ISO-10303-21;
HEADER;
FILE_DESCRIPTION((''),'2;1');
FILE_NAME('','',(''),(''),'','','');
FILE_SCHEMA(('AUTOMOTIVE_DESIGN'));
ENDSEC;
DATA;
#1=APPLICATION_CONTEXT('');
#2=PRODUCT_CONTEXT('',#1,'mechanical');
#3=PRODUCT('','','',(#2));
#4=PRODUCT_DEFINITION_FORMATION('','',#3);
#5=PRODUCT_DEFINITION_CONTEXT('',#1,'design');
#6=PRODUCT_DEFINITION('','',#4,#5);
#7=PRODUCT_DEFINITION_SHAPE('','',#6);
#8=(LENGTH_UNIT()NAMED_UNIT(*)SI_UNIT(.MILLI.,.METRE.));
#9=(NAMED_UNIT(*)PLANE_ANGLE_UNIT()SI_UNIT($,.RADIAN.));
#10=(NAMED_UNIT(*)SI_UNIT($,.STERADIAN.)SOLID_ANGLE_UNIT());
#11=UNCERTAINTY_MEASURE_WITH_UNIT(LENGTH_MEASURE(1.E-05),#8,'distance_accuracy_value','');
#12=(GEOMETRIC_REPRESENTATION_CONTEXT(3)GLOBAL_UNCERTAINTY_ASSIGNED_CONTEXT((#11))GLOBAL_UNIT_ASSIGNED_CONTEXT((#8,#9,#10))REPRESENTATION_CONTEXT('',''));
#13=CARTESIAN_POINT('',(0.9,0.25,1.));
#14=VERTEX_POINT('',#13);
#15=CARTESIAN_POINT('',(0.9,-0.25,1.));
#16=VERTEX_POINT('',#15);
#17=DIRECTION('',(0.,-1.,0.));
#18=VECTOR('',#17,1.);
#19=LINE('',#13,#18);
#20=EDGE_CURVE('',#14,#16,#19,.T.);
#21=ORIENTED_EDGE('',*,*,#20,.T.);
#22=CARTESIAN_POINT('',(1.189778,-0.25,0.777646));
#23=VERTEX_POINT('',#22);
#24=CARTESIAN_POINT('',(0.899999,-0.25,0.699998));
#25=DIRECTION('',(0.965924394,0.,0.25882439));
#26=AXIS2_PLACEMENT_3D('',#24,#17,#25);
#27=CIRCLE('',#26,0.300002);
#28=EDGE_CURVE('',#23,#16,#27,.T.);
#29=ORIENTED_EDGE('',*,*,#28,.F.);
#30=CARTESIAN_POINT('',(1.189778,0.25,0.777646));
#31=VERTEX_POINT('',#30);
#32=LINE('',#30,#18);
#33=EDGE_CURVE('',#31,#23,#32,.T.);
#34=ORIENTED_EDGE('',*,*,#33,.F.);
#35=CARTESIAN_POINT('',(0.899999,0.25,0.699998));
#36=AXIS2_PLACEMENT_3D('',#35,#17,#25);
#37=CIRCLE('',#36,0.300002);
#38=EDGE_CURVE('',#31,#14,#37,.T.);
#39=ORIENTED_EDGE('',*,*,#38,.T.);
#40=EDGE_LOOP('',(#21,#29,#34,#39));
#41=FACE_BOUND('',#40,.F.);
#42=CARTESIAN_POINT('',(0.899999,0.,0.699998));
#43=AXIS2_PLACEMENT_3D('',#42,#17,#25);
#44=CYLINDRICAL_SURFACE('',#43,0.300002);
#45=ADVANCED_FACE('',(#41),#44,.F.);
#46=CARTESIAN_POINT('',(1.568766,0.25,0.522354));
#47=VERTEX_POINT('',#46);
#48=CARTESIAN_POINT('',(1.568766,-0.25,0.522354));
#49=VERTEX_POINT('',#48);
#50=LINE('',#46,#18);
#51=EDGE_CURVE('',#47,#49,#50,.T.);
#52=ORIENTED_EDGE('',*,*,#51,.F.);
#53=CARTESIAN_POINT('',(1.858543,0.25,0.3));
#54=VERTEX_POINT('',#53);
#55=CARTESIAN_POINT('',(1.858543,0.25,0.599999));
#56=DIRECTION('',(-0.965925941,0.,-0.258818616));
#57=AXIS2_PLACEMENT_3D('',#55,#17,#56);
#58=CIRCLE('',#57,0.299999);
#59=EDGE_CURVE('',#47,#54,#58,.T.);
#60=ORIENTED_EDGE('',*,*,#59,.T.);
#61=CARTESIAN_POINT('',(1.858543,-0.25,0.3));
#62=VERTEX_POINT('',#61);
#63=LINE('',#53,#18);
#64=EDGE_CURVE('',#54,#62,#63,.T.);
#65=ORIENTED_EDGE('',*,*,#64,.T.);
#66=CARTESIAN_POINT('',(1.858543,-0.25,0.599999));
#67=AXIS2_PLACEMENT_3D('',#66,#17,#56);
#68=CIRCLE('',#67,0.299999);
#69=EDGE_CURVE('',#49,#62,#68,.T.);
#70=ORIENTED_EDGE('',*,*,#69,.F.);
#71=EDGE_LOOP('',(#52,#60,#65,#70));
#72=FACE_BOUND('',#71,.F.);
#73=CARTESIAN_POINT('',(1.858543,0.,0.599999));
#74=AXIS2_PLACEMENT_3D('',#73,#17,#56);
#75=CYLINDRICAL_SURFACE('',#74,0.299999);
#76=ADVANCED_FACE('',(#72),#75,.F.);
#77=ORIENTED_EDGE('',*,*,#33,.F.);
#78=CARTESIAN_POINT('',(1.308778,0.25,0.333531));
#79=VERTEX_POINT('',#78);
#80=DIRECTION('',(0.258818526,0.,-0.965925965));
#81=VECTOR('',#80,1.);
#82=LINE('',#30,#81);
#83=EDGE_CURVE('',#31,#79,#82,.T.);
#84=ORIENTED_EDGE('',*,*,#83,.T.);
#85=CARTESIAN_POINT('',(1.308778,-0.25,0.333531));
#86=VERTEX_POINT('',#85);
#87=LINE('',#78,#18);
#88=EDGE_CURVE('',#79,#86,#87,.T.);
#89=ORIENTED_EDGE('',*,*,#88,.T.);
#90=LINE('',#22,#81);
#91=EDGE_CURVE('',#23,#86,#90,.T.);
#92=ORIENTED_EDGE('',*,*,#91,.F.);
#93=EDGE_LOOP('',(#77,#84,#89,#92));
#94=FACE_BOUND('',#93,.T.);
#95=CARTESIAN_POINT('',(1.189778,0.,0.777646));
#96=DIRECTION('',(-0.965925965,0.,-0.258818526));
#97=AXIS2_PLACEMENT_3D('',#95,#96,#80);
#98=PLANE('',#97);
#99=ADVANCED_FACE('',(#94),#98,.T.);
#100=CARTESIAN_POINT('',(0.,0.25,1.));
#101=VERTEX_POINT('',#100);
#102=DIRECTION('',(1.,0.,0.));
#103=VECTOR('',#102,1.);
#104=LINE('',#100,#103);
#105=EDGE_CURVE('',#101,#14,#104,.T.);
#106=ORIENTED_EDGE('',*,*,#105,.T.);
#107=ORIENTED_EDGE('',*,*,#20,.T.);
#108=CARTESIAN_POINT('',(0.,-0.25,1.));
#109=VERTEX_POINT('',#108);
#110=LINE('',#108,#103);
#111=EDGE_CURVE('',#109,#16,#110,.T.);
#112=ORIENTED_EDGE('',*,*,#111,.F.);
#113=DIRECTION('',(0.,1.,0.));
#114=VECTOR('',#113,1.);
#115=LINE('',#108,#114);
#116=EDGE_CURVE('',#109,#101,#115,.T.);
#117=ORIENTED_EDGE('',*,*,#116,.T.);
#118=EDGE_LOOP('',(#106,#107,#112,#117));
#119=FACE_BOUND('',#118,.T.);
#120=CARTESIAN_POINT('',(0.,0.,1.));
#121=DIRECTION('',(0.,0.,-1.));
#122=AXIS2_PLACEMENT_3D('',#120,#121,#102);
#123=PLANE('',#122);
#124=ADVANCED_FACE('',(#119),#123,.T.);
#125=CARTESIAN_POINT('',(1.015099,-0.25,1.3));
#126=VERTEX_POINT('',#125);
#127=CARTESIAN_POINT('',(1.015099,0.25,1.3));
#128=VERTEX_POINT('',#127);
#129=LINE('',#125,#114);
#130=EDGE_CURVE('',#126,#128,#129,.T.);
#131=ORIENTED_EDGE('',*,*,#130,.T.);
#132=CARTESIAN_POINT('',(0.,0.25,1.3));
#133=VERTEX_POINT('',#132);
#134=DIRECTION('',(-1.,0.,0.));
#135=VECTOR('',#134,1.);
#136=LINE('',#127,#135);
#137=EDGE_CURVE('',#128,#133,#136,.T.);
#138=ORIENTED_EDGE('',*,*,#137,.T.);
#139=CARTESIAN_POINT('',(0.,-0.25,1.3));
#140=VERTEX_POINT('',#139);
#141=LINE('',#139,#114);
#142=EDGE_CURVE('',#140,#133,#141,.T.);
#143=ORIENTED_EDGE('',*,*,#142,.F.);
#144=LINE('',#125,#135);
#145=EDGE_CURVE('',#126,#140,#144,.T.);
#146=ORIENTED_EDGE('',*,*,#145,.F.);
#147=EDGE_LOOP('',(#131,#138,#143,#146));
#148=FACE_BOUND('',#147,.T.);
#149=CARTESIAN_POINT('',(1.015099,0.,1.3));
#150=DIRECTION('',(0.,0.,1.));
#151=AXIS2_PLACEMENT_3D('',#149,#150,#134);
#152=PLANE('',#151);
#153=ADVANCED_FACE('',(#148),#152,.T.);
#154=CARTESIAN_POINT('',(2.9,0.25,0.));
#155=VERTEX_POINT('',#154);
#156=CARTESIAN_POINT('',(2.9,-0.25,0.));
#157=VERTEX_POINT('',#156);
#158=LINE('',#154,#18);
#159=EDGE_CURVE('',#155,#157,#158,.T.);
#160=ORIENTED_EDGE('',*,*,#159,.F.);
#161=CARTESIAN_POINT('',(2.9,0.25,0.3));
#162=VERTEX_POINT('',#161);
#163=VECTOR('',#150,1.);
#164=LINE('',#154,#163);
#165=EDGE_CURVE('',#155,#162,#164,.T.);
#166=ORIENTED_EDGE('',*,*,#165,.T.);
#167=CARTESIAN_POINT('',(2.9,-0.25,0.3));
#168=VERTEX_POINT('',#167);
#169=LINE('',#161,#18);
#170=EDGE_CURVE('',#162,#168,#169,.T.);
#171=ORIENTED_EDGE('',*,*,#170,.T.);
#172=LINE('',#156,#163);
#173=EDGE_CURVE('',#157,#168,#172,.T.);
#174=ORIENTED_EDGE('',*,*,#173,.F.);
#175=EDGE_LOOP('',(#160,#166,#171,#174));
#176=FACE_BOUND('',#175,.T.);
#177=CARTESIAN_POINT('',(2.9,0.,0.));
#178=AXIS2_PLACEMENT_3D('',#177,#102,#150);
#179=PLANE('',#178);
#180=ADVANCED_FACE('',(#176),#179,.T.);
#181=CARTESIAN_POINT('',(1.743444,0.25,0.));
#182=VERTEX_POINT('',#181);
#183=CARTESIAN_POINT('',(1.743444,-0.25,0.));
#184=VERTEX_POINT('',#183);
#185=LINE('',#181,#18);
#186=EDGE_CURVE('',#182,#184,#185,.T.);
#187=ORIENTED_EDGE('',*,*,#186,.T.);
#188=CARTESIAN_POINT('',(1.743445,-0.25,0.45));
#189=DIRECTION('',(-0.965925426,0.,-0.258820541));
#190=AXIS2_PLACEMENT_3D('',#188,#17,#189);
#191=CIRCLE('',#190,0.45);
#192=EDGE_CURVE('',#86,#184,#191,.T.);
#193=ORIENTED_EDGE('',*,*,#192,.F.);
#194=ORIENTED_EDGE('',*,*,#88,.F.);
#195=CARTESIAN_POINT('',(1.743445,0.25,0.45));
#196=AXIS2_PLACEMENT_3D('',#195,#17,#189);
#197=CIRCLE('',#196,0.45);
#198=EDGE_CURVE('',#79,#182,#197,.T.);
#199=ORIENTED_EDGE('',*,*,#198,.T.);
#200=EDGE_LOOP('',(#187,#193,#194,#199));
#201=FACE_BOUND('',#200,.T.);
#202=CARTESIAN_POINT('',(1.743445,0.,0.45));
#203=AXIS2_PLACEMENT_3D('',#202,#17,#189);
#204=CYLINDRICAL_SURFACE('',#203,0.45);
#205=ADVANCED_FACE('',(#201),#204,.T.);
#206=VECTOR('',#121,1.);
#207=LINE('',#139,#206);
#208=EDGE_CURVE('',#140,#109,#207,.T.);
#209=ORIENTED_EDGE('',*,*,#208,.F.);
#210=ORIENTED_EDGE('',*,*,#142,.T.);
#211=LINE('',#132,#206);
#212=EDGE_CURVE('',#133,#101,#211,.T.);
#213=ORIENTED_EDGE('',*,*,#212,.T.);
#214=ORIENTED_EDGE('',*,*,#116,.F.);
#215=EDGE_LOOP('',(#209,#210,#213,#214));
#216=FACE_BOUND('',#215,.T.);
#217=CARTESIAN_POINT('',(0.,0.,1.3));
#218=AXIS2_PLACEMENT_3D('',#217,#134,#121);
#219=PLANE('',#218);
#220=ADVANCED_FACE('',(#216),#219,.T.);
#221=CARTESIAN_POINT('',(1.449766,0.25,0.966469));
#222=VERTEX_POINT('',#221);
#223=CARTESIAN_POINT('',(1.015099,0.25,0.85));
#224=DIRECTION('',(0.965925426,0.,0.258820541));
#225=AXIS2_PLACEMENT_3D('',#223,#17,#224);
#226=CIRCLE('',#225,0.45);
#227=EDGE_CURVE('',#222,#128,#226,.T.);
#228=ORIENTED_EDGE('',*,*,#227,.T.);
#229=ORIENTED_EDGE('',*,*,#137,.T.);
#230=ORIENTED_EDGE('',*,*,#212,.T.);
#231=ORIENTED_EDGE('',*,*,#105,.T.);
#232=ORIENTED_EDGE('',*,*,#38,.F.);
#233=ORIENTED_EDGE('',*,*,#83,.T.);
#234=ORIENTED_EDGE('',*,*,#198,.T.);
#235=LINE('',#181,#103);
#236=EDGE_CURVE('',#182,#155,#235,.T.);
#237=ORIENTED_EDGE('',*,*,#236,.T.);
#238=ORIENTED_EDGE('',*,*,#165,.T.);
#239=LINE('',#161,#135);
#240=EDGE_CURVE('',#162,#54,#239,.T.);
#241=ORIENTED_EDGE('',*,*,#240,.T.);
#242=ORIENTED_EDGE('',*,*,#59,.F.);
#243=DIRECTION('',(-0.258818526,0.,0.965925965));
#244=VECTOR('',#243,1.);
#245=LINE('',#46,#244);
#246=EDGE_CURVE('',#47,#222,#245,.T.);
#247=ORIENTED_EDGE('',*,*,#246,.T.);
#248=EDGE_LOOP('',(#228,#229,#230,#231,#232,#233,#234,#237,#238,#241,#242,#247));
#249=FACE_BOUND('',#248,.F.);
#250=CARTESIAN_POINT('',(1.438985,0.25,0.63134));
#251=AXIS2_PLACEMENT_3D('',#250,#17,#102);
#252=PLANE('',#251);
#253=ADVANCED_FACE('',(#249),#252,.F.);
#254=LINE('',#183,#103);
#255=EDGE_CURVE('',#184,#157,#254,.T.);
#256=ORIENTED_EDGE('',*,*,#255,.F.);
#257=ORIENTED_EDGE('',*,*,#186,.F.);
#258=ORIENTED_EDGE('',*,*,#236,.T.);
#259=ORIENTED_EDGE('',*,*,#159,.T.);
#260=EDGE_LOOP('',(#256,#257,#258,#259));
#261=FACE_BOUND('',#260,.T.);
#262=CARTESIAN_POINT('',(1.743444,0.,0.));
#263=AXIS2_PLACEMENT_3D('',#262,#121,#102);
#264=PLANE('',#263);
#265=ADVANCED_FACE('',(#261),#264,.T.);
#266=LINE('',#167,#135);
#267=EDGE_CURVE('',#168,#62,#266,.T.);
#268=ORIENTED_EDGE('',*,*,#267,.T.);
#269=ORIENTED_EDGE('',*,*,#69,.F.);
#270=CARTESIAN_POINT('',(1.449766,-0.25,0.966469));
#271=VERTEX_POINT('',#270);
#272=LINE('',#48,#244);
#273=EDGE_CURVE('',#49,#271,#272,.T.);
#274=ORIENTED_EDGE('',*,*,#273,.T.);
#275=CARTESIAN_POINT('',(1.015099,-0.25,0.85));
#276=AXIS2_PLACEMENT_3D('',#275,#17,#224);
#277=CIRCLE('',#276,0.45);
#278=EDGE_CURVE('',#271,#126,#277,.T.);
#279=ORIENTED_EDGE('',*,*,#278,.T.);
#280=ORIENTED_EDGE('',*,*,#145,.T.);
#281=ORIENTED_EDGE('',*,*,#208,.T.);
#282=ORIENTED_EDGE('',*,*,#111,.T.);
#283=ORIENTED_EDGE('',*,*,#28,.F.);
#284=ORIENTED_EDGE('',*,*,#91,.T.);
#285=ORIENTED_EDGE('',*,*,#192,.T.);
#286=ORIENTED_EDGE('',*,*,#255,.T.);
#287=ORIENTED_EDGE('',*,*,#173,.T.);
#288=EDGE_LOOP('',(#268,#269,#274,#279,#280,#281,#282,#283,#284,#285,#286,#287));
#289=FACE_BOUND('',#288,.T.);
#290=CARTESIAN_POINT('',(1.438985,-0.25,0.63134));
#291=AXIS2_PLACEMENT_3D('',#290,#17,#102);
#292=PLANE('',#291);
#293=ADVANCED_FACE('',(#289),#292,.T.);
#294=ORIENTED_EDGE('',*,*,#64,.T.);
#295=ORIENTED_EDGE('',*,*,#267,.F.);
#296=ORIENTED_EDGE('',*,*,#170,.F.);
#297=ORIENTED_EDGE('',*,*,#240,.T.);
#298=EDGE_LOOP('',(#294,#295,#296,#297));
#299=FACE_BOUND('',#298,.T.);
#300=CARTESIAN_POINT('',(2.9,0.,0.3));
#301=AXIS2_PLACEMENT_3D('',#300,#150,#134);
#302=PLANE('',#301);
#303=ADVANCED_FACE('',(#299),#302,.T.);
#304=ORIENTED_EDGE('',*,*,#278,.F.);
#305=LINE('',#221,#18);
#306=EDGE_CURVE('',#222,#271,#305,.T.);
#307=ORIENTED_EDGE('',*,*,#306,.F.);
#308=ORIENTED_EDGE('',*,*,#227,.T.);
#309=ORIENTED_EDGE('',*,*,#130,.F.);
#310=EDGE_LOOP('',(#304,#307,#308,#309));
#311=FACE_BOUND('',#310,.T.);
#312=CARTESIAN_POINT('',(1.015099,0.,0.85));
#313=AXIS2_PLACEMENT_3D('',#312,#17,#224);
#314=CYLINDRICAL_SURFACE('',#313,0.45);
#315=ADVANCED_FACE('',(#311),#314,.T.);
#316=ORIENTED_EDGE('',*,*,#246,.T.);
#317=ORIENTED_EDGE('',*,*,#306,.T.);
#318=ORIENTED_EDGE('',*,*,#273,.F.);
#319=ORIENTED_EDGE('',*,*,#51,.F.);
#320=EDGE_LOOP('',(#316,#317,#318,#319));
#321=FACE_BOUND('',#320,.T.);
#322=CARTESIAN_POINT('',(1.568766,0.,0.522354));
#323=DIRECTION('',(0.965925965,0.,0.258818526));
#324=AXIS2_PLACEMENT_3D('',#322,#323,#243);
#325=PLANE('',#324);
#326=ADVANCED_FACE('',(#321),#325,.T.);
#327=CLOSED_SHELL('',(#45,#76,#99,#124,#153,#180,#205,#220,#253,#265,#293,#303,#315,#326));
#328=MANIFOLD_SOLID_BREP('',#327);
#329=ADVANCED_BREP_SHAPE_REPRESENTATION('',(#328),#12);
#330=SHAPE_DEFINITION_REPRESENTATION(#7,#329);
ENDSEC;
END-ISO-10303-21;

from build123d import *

# Parameters (mm, degrees)
PAD_DEPTH = 0.25


with BuildPart() as part:
    # Sketch → Pad (new body, symmetric)
    with BuildSketch(Plane.XZ):
        with BuildLine():
            Line((0, 1), (0.9, 1))
            ThreePointArc((1.189778, 0.777646), (1.082628, 0.938006), (0.9, 1))
            Line((1.189778, 0.777646), (1.308778, 0.333531))
            ThreePointArc((1.308778, 0.333531), (1.469502, 0.092991), (1.743444, 0))
            Line((1.743444, 0), (2.9, 0))
            Line((2.9, 0), (2.9, 0.3))
            Line((2.9, 0.3), (1.858543, 0.3))
            ThreePointArc((1.568766, 0.522354), (1.675915, 0.361994), (1.858543, 0.3))
            Line((1.568766, 0.522354), (1.449766, 0.966469))
            ThreePointArc((1.449766, 0.966469), (1.289042, 1.207009), (1.015099, 1.3))
            Line((1.015099, 1.3), (0, 1.3))
            Line((0, 1.3), (0, 1))
        make_face()
    extrude(amount=PAD_DEPTH, both=True)


solid = part.part
